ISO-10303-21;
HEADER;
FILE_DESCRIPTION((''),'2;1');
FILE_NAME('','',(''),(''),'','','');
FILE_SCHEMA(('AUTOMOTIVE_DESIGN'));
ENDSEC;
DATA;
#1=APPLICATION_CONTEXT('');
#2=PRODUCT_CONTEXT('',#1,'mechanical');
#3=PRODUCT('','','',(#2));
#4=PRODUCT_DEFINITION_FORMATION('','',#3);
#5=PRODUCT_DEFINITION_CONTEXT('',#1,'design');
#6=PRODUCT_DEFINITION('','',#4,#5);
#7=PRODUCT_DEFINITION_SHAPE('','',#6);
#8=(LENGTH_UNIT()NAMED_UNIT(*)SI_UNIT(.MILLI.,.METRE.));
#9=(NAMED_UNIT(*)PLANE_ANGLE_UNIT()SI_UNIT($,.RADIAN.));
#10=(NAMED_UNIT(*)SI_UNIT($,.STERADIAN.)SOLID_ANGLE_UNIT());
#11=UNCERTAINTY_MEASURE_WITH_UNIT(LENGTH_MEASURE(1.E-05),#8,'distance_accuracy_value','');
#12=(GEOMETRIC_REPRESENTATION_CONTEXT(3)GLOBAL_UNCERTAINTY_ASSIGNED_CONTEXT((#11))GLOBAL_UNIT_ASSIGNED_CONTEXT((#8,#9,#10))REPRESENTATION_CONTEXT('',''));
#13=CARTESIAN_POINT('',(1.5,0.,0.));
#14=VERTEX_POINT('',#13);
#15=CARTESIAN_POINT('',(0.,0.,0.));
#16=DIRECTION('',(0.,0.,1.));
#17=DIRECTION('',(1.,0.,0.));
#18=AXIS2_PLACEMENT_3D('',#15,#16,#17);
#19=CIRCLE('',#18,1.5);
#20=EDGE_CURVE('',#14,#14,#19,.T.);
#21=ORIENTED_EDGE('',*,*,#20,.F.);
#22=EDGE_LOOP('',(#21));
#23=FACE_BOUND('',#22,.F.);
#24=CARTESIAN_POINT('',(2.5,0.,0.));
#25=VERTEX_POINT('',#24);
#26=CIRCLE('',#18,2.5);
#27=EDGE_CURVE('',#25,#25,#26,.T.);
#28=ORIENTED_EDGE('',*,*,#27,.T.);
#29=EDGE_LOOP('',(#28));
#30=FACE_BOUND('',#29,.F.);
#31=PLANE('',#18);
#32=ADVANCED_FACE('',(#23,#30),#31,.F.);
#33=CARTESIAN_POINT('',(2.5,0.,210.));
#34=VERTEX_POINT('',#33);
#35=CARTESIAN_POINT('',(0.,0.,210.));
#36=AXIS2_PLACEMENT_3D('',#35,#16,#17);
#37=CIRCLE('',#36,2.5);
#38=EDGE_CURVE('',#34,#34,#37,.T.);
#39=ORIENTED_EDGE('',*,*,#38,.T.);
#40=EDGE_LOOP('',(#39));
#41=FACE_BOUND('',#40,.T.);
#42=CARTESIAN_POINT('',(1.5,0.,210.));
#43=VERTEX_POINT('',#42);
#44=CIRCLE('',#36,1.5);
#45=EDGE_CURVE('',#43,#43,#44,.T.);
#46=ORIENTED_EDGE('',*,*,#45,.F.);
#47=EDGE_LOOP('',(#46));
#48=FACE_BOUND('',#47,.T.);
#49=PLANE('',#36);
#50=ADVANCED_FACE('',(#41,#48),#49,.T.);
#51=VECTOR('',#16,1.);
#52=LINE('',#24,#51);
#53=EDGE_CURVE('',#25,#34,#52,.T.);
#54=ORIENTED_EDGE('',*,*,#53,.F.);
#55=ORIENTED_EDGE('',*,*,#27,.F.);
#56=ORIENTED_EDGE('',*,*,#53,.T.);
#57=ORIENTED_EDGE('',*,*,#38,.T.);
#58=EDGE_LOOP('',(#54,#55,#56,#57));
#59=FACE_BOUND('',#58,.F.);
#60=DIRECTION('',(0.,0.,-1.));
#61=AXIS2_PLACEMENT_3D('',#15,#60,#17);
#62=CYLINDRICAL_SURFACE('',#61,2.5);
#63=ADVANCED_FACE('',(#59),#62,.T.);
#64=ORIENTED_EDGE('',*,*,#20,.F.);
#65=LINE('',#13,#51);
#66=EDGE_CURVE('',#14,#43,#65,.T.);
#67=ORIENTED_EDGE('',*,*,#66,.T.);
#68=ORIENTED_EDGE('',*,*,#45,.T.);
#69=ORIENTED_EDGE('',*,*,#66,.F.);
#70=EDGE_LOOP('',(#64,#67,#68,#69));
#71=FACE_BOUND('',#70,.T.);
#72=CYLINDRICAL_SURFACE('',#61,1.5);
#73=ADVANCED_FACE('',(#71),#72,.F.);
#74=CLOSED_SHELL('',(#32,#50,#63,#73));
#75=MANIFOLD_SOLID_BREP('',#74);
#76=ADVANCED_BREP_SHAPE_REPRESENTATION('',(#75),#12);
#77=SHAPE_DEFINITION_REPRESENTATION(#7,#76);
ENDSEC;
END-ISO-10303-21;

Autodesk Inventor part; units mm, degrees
ref_plane "YZ Plane" through (0, 0, 0) normal (1, 0, 0) x (0, 1, 0)
ref_plane "XZ Plane" through (0, 0, 0) normal (0, 1, 0) x (-1, 0, 0)
ref_plane "XY Plane" through (0, 0, 0) normal (0, 0, 1) x (1, 0, 0)
sketch "Sketch1" plane through (0, 0, 0) normal (0, 0, 1) x (1, 0, 0)
  circle A0 centre (0, 0) radius 1.5
  circle A1 centre (0, 0) radius 2.5
  dimension "d0" = 3
  dimension "d1" = 5
extrude "Extrusion1" add sketch "Sketch1" along normal blind 210
properties part number "Twingspar"
